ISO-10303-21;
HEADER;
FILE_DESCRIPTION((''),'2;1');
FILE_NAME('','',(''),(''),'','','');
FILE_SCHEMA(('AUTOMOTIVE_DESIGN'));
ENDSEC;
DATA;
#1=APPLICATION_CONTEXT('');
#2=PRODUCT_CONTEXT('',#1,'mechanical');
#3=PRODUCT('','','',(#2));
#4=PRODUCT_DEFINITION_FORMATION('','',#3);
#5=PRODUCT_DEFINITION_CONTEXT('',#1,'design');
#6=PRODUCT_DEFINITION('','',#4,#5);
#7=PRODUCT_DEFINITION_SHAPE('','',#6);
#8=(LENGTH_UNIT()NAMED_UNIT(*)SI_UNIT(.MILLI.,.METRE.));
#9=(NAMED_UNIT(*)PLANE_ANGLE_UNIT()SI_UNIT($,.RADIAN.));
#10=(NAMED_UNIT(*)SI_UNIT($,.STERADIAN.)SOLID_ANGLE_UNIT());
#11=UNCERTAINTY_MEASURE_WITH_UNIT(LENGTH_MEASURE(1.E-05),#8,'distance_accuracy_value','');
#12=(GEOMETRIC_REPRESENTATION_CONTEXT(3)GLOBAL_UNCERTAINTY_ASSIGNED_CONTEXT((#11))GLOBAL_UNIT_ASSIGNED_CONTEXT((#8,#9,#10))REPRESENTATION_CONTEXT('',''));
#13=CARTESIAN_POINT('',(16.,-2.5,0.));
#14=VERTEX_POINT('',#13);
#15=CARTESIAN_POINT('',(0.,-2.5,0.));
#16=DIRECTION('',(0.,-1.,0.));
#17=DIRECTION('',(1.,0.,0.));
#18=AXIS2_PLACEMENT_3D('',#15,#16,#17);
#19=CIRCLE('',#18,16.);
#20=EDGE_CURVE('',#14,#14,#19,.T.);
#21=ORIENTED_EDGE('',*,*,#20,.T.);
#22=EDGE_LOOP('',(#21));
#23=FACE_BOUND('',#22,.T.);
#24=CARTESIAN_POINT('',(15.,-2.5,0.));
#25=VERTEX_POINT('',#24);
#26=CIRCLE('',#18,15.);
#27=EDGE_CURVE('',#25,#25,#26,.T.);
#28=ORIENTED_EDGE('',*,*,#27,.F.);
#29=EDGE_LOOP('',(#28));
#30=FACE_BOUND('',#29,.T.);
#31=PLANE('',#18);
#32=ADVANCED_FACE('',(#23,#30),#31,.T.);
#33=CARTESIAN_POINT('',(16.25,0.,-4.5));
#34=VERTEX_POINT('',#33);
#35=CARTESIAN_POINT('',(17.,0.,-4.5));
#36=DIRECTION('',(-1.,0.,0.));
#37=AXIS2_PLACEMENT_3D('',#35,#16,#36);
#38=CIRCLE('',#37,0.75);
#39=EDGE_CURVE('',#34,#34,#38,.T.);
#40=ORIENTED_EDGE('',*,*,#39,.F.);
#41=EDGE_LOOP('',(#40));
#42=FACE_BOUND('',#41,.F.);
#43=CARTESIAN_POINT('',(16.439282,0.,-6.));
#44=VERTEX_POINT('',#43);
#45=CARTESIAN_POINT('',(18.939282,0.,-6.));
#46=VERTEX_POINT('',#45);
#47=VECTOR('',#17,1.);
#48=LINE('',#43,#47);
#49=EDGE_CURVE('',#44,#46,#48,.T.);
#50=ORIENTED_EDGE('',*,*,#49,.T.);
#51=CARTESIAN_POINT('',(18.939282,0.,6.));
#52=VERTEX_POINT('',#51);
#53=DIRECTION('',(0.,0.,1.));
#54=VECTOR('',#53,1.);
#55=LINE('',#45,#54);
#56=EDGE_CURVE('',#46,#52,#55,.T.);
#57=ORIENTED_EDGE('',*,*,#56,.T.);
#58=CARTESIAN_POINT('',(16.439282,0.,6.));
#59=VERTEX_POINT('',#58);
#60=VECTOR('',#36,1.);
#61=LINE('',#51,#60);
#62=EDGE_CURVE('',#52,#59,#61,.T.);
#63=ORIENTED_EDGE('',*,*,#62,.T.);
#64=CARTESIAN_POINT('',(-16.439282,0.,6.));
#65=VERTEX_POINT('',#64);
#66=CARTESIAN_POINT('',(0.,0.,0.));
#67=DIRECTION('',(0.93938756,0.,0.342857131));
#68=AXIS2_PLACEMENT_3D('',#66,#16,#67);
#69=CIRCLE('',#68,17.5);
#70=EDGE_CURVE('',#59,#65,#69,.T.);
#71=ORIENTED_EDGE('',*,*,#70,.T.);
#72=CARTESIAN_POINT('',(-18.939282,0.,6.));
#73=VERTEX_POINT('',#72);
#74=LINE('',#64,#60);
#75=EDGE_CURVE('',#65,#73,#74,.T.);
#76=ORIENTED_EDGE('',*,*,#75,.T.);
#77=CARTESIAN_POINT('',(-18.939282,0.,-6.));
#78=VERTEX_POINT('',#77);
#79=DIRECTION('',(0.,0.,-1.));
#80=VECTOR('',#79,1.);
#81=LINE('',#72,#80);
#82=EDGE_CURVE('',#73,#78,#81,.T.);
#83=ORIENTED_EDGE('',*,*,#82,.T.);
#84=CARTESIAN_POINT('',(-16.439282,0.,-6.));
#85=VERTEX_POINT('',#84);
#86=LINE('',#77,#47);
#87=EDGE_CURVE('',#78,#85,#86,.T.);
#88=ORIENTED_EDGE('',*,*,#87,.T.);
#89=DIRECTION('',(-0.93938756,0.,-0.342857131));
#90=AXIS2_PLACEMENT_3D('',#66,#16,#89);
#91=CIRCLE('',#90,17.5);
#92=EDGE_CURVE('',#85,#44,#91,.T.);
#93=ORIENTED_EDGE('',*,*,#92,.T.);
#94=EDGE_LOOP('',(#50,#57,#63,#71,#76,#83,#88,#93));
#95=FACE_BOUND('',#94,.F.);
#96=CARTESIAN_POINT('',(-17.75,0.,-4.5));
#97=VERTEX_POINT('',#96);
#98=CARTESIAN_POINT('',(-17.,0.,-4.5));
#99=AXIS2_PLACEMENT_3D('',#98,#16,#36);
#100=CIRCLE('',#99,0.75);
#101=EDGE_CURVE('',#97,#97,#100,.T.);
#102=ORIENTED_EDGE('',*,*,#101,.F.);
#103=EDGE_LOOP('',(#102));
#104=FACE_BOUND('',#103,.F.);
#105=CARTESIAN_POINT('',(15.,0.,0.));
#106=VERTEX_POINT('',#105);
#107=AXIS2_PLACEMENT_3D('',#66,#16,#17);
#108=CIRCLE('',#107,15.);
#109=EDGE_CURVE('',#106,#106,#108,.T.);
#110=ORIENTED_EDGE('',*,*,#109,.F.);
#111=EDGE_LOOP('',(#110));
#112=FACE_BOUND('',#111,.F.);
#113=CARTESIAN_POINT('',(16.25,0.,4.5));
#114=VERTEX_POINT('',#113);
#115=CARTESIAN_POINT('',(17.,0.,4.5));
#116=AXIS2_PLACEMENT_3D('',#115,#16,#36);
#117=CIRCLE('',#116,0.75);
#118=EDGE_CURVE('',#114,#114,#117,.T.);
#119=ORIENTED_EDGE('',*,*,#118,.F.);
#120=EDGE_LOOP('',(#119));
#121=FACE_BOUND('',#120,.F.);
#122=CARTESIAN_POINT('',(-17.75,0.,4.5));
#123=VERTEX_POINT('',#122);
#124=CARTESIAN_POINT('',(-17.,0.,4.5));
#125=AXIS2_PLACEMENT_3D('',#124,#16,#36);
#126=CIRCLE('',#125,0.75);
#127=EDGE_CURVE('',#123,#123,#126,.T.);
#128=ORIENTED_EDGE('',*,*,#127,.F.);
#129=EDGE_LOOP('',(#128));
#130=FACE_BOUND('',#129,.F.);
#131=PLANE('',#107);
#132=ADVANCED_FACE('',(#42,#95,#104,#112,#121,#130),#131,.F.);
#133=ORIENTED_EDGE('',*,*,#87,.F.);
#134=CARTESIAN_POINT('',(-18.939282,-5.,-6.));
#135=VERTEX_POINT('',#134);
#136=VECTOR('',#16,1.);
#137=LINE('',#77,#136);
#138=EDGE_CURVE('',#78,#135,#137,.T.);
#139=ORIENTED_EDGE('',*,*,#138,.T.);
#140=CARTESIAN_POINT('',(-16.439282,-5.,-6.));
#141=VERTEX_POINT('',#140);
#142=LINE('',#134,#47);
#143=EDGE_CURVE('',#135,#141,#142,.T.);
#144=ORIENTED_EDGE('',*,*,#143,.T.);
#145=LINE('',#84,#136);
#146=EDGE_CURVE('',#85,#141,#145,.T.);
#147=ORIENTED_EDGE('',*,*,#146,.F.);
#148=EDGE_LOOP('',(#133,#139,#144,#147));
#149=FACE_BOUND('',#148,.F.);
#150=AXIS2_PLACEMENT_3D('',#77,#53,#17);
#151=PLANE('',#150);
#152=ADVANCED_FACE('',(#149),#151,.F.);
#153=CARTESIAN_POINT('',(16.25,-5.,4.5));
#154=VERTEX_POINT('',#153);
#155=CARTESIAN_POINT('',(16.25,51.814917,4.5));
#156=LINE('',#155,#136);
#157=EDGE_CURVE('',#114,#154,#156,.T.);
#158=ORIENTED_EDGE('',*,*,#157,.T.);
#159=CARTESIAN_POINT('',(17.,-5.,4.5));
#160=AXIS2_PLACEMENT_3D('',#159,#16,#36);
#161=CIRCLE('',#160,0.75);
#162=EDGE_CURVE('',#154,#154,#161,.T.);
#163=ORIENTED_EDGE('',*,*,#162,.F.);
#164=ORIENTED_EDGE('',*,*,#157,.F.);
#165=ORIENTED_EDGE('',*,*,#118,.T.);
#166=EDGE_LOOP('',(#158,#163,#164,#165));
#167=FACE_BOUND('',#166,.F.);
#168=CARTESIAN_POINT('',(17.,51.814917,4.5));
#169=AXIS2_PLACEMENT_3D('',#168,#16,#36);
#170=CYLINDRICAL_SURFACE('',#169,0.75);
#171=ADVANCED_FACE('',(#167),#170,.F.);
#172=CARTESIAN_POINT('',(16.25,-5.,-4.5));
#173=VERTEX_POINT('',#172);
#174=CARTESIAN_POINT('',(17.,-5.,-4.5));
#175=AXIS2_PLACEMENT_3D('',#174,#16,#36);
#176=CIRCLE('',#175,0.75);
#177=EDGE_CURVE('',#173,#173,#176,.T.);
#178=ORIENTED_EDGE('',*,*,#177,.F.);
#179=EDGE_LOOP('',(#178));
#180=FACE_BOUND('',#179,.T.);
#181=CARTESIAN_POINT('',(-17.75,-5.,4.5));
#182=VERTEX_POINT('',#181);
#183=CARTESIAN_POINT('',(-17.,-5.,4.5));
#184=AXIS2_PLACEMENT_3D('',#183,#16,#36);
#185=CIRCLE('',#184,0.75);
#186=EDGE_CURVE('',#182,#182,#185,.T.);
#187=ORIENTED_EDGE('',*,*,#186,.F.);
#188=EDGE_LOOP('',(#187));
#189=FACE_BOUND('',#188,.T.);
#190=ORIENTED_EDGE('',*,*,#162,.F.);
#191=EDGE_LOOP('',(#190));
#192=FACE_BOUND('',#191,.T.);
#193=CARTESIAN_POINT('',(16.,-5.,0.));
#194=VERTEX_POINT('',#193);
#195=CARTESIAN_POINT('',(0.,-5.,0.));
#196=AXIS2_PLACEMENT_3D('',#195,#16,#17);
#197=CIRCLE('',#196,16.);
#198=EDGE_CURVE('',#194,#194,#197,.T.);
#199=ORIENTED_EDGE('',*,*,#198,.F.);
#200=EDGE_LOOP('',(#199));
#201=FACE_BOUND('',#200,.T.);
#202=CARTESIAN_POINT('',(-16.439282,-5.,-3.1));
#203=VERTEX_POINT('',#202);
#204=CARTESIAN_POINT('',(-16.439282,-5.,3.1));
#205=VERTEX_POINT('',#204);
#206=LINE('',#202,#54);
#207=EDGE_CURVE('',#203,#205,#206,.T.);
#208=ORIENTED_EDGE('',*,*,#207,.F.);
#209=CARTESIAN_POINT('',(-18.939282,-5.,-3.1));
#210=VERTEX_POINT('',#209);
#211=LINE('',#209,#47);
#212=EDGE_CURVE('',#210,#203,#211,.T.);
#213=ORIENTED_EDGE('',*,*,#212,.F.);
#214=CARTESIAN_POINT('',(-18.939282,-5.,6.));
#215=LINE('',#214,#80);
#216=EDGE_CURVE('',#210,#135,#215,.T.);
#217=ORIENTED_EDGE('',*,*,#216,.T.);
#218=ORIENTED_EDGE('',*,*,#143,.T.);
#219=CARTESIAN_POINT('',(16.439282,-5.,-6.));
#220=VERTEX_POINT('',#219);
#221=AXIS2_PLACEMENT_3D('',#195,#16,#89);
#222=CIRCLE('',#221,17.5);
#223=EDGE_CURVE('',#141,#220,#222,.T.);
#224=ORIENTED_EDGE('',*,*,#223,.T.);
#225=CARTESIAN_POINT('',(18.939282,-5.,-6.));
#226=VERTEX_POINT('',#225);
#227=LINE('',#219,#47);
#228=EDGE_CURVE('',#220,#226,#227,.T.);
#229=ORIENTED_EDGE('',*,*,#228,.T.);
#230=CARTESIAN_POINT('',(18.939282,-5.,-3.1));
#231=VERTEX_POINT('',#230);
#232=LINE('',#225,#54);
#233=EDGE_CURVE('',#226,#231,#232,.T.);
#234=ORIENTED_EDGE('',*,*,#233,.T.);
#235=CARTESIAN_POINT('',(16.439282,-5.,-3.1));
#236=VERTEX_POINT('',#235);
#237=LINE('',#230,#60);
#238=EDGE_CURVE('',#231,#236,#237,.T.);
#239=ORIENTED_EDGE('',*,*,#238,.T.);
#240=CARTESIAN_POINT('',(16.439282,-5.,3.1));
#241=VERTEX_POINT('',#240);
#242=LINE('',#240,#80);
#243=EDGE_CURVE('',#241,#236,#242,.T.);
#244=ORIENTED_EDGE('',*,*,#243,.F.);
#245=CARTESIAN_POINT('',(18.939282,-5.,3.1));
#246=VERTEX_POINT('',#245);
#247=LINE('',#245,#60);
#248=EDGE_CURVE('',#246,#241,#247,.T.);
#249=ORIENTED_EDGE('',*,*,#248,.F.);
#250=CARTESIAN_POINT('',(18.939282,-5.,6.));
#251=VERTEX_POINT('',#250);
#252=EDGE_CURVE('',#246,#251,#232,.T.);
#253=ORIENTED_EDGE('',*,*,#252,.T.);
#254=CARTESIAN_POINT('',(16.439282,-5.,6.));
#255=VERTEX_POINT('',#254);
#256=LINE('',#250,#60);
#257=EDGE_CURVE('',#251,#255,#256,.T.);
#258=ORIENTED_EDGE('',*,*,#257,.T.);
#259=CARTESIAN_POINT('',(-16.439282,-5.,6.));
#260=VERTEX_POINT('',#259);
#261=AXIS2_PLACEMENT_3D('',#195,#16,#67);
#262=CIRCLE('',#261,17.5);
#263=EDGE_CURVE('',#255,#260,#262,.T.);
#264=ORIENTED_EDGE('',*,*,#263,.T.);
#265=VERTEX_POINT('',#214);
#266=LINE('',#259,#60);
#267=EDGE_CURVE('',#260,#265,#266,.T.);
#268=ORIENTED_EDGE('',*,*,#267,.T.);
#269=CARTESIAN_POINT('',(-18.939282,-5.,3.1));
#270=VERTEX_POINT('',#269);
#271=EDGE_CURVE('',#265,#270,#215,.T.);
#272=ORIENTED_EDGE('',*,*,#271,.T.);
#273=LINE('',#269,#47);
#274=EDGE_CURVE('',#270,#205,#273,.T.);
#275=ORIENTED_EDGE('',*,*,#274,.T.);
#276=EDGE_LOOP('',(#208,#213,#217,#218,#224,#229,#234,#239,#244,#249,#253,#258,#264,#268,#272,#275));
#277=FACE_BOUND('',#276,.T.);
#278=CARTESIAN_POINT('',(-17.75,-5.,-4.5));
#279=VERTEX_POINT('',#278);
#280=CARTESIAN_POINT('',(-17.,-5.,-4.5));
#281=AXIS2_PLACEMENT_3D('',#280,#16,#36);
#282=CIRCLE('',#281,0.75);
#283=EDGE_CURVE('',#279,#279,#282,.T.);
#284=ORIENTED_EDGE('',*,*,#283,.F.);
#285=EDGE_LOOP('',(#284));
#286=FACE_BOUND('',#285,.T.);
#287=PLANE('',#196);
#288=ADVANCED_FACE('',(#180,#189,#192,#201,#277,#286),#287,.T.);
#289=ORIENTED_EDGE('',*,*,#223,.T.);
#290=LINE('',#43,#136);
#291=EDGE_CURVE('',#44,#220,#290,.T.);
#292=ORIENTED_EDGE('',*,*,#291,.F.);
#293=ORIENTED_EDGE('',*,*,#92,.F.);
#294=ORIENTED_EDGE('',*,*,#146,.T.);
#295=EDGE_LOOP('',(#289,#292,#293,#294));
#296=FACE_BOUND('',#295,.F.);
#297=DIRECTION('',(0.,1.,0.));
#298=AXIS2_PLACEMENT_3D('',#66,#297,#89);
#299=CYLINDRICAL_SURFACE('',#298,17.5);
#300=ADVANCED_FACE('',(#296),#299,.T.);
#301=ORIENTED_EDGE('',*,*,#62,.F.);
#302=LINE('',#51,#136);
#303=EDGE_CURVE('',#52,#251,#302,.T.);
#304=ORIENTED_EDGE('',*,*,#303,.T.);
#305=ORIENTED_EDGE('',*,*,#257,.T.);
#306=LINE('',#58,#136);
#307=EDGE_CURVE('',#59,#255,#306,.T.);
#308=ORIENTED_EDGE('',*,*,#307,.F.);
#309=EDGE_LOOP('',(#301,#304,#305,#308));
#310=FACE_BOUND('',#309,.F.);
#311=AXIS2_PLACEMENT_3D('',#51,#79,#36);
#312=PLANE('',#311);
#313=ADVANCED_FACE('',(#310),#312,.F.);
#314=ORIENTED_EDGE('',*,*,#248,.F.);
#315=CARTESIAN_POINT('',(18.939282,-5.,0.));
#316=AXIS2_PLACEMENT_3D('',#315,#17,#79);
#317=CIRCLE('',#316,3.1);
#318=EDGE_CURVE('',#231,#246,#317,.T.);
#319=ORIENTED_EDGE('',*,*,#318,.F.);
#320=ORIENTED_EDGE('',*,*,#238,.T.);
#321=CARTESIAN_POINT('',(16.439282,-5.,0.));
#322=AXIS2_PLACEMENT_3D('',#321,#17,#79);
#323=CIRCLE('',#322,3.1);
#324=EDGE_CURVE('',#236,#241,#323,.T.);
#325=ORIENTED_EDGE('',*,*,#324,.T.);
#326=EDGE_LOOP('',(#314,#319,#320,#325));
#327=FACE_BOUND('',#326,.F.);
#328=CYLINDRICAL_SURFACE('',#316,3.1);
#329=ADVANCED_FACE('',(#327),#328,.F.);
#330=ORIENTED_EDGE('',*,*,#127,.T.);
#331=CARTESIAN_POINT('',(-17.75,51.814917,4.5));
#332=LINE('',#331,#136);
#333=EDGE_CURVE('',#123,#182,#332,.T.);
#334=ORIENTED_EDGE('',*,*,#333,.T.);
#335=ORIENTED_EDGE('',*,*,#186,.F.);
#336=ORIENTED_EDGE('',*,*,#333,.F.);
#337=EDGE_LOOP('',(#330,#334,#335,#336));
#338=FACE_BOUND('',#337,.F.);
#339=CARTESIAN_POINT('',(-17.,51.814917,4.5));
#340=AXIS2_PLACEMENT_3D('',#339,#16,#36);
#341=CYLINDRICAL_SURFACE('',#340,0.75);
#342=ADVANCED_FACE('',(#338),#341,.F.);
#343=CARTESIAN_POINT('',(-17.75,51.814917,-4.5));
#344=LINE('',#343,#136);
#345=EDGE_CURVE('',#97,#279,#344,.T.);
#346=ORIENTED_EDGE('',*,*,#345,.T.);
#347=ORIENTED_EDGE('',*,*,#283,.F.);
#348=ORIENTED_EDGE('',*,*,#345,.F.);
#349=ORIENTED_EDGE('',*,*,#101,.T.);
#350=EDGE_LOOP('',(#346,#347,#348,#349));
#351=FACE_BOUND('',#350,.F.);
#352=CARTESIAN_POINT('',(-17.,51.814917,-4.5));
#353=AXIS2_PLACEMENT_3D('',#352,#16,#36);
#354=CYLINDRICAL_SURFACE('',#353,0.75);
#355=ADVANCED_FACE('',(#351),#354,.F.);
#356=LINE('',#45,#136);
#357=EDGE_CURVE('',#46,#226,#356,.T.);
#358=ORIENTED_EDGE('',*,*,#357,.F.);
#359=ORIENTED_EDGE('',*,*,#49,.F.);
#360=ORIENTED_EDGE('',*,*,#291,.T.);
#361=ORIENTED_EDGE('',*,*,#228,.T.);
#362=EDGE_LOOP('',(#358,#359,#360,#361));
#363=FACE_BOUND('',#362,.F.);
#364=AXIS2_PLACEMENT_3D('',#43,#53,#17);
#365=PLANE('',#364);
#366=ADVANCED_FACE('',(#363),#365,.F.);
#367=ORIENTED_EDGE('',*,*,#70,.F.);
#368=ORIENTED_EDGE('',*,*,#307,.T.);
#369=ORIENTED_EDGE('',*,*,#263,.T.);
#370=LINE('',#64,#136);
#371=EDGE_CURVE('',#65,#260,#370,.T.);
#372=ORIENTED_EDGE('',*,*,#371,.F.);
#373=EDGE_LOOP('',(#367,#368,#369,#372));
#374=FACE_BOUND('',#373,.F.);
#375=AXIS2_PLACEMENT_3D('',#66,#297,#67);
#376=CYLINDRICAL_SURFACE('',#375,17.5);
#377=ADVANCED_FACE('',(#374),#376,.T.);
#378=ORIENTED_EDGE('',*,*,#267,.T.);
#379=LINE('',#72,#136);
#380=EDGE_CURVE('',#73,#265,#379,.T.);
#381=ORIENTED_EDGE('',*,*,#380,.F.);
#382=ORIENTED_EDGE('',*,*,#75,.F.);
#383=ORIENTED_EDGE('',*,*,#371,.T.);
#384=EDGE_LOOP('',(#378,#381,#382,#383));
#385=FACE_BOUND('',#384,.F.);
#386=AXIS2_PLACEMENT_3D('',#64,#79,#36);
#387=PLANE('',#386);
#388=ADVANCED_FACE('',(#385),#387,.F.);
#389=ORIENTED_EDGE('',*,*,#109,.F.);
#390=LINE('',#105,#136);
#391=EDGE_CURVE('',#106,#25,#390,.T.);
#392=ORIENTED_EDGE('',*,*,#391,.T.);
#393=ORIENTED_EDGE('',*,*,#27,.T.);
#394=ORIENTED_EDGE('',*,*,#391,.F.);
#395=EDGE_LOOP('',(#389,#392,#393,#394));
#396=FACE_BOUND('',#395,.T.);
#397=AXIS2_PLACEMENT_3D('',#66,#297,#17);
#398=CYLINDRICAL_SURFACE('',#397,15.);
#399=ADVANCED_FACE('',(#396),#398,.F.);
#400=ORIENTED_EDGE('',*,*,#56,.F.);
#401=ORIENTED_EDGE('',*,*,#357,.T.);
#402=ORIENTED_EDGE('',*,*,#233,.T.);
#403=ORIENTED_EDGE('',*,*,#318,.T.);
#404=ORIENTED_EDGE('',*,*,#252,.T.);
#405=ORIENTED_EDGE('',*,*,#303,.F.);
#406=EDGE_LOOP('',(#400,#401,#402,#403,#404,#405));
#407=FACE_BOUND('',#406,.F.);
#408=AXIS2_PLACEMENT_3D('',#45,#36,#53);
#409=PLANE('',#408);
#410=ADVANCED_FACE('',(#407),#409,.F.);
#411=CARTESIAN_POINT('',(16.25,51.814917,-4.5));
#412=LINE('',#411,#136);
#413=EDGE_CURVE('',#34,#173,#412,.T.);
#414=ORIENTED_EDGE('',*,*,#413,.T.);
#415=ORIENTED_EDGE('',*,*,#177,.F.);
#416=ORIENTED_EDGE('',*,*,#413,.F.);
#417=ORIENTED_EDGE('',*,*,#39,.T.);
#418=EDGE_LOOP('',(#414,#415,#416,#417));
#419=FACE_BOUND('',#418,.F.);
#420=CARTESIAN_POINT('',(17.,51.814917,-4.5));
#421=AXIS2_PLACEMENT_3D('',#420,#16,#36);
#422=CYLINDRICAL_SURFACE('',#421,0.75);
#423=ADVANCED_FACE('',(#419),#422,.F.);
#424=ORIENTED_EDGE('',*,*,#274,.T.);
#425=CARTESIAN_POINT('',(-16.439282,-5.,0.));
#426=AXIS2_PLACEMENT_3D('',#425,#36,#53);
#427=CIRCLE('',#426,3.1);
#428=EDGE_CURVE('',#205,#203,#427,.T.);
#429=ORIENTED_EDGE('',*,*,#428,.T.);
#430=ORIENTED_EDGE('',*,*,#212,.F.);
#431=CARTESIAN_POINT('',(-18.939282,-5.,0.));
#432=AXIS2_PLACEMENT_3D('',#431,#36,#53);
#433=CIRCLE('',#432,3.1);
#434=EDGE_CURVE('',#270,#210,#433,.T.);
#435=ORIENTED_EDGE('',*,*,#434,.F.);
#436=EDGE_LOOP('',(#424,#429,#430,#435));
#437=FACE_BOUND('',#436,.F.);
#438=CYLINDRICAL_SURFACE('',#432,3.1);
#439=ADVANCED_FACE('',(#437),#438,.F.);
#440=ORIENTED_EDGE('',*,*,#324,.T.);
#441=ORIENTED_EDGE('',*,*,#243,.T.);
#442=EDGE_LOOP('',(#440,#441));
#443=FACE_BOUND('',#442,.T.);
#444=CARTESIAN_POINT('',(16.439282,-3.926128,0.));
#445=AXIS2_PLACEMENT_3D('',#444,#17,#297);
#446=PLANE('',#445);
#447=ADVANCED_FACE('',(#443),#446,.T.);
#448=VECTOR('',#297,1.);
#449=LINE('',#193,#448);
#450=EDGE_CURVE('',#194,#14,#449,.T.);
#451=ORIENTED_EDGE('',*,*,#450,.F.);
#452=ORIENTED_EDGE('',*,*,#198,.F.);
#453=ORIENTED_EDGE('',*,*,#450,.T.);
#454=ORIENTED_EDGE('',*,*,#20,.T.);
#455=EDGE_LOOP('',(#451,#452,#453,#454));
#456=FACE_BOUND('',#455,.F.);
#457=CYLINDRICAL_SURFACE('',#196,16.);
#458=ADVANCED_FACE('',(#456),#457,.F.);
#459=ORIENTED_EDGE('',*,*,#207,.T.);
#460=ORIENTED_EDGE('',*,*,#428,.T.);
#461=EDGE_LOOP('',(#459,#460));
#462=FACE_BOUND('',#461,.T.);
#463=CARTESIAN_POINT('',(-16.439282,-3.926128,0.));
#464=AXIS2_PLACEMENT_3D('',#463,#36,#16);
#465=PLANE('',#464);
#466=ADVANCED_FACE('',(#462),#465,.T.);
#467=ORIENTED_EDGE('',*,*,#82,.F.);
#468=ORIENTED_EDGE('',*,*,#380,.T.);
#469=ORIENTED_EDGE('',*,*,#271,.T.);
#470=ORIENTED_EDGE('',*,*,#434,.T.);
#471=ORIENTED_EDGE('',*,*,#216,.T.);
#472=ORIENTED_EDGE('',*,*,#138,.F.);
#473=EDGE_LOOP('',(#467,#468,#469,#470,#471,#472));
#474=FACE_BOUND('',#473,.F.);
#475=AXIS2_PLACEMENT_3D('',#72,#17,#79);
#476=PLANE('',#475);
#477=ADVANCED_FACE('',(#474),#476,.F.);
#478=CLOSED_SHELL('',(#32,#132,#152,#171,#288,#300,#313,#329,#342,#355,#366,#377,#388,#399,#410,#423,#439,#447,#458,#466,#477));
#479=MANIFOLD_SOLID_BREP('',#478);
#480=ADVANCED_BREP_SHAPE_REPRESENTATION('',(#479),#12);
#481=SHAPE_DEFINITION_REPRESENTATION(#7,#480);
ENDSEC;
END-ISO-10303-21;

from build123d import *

# Parameters (mm, degrees)
F0_R     = 15
F1_DEPTH = 5
F2_R     = 16
F2_R_2   = 15
F3_DEPTH = 2.5
F5_DEPTH = 2.5
F7_DEPTH = 2.5
F9_D     = 1.5


with BuildPart() as f1:
    # F0 (on Front) → F1 (new body)
    with BuildSketch(Plane.XZ):
        with BuildLine():
            Line((-18.939282, -6), (-16.439282, -6))
            ThreePointArc((-16.439282, -6), (0, -17.5), (16.439282, -6))
            Line((16.439282, -6), (18.939282, -6))
            Line((18.939282, -6), (18.939282, 6))
            Line((18.939282, 6), (16.439282, 6))
            ThreePointArc((16.439282, 6), (0, 17.5), (-16.439282, 6))
            Line((-16.439282, 6), (-18.939282, 6))
            Line((-18.939282, 6), (-18.939282, -6))
        make_face()
        Circle(F0_R, mode=Mode.SUBTRACT)
    extrude(amount=F1_DEPTH)

    # F2 (on face) → F3 (cut)
    with BuildSketch(Plane.XZ.offset(5)):
        Circle(F2_R)
        Circle(F2_R_2, mode=Mode.SUBTRACT)
    extrude(amount=-F3_DEPTH, mode=Mode.SUBTRACT)

    # F4 (on face) → F5 (cut)
    with BuildSketch(Plane(origin=(-18.939282, 0, 0), x_dir=(0, -1, 0), z_dir=(-1, 0, 0))):
        with BuildLine():
            Line((5, -3.1), (5, 3.1))
            ThreePointArc((5, 3.1), (1.9, 0), (5, -3.1))
        make_face()
    extrude(amount=-F5_DEPTH, mode=Mode.SUBTRACT)

    # F6 (on face) → F7 (cut)
    with BuildSketch(Plane.YZ.offset(18.939282)):
        with BuildLine():
            ThreePointArc((-5, -3.1), (-1.9, 0), (-5, 3.1))
            Line((-5, 3.1), (-5, -3.1))
        make_face()
    extrude(amount=-F7_DEPTH, mode=Mode.SUBTRACT)

    # F9 (through all)
    with Locations(Plane(origin=(0, 0, 0), x_dir=(1, 0, 0), z_dir=(0, 1, 0))):
        with Locations((-17, 4.5), (-17, -4.5), (17, -4.5), (17, 4.5)):
            Hole(F9_D / 2)


solid = f1.part
